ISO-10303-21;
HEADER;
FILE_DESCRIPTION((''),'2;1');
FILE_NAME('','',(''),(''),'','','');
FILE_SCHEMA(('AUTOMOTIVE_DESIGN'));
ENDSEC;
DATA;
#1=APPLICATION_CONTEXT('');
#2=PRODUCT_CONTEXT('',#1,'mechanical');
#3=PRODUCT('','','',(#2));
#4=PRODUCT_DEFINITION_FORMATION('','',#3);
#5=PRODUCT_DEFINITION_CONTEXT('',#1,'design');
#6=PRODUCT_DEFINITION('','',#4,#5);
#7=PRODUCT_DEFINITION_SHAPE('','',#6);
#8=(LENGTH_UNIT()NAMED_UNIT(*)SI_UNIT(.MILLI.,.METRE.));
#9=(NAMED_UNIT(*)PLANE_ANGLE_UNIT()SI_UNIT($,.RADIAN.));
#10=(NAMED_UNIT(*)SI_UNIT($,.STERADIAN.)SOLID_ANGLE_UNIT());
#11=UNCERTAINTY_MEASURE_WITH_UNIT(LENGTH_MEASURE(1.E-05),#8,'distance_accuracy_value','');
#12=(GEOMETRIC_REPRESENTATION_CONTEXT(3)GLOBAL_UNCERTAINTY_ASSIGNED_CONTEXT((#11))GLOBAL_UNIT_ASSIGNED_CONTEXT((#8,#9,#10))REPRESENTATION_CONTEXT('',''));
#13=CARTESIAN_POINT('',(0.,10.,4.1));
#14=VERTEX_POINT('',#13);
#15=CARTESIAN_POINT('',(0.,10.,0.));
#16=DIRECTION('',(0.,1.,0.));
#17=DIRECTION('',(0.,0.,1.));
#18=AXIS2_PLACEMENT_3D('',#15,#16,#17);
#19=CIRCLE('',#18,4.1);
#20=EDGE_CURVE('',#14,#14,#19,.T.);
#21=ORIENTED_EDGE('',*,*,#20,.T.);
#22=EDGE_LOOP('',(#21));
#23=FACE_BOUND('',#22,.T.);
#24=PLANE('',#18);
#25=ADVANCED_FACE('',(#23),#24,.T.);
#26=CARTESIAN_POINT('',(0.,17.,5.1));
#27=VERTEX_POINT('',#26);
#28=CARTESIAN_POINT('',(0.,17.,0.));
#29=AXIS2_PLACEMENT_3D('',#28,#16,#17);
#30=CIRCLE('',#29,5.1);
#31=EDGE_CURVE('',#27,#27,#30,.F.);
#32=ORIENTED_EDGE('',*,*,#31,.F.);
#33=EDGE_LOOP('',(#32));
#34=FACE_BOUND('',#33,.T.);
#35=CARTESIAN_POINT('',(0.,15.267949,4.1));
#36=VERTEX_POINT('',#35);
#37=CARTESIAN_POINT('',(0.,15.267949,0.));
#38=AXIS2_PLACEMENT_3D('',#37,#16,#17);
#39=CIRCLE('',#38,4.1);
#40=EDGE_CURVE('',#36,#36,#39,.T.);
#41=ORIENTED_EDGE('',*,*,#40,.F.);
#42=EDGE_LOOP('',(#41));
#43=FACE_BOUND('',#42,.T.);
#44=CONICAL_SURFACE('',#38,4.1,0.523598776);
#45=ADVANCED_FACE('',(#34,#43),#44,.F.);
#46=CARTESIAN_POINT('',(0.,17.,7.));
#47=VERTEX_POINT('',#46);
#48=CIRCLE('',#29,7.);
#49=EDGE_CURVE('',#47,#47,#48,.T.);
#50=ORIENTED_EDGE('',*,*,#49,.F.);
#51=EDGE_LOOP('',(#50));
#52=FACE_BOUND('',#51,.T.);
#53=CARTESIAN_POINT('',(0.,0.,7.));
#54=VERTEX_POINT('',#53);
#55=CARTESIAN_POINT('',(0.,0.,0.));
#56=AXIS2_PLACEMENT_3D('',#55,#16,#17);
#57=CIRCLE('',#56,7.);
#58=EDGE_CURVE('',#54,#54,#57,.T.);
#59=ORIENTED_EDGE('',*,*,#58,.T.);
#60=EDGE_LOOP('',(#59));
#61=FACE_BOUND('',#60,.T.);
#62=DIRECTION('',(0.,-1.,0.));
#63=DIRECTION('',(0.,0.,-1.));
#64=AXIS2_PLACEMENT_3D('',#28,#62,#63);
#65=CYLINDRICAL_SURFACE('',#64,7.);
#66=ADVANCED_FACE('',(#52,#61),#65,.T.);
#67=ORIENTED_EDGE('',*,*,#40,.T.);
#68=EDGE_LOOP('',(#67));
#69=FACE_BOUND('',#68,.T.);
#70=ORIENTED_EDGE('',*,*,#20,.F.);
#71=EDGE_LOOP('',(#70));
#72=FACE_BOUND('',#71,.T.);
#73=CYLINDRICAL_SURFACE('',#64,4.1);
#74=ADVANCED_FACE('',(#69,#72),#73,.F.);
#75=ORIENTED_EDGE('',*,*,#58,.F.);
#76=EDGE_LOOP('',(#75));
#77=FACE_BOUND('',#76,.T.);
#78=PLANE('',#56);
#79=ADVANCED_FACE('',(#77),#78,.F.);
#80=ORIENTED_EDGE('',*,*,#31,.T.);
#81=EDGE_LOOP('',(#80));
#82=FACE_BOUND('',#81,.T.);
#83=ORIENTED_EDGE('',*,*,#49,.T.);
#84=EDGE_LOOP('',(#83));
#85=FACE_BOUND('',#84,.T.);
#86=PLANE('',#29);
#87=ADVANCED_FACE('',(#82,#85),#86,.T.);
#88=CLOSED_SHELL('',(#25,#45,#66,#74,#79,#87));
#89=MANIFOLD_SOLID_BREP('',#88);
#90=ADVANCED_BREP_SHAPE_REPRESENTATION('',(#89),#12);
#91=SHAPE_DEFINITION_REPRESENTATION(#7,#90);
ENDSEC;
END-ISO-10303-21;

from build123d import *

# Parameters (mm, degrees)
SKETCH_1_R      = 7
SKETCH_1_R_2    = 4.1
EXTRUDE_1_DEPTH = 17
SKETCH_2_R      = 7
EXTRUDE_2_DEPTH = 10
CHAMFER_1_SIZE  = 1
CHAMFER_1_SIZE2 = 1.732050808


with BuildPart() as part:
    # Эскиз1 → Бобышка-Вытянуть1 (new body)
    with BuildSketch(Plane(origin=(0, 0, 0), x_dir=(1, 0, 0), z_dir=(0, 1, 0))):
        with Locations(Location((0, 0, 0), (0, 0, 270))):
            Circle(SKETCH_1_R)
        with Locations(Location((0, 0, 0), (0, 0, 270))):
            Circle(SKETCH_1_R_2, mode=Mode.SUBTRACT)
    extrude(amount=EXTRUDE_1_DEPTH)

    # Эскиз2 → Бобышка-Вытянуть2 (add)
    with BuildSketch(Plane.XZ):
        with Locations(Location((0, 0, 0), (0, 0, 90))):
            Circle(SKETCH_2_R)
    extrude(amount=-EXTRUDE_2_DEPTH)

    # Фаска1
    chamfer_1_edges = [part.edges().sort_by_distance(p)[0] for p in [
        (0, 17, -4.1),
    ]]
    chamfer_1_side = [part.faces().sort_by_distance(p)[0] for p in [
        (0, 17, -6.802010101),
    ]]
    chamfer(chamfer_1_edges, length=CHAMFER_1_SIZE, length2=CHAMFER_1_SIZE2, reference=chamfer_1_side[0])


solid = part.part
